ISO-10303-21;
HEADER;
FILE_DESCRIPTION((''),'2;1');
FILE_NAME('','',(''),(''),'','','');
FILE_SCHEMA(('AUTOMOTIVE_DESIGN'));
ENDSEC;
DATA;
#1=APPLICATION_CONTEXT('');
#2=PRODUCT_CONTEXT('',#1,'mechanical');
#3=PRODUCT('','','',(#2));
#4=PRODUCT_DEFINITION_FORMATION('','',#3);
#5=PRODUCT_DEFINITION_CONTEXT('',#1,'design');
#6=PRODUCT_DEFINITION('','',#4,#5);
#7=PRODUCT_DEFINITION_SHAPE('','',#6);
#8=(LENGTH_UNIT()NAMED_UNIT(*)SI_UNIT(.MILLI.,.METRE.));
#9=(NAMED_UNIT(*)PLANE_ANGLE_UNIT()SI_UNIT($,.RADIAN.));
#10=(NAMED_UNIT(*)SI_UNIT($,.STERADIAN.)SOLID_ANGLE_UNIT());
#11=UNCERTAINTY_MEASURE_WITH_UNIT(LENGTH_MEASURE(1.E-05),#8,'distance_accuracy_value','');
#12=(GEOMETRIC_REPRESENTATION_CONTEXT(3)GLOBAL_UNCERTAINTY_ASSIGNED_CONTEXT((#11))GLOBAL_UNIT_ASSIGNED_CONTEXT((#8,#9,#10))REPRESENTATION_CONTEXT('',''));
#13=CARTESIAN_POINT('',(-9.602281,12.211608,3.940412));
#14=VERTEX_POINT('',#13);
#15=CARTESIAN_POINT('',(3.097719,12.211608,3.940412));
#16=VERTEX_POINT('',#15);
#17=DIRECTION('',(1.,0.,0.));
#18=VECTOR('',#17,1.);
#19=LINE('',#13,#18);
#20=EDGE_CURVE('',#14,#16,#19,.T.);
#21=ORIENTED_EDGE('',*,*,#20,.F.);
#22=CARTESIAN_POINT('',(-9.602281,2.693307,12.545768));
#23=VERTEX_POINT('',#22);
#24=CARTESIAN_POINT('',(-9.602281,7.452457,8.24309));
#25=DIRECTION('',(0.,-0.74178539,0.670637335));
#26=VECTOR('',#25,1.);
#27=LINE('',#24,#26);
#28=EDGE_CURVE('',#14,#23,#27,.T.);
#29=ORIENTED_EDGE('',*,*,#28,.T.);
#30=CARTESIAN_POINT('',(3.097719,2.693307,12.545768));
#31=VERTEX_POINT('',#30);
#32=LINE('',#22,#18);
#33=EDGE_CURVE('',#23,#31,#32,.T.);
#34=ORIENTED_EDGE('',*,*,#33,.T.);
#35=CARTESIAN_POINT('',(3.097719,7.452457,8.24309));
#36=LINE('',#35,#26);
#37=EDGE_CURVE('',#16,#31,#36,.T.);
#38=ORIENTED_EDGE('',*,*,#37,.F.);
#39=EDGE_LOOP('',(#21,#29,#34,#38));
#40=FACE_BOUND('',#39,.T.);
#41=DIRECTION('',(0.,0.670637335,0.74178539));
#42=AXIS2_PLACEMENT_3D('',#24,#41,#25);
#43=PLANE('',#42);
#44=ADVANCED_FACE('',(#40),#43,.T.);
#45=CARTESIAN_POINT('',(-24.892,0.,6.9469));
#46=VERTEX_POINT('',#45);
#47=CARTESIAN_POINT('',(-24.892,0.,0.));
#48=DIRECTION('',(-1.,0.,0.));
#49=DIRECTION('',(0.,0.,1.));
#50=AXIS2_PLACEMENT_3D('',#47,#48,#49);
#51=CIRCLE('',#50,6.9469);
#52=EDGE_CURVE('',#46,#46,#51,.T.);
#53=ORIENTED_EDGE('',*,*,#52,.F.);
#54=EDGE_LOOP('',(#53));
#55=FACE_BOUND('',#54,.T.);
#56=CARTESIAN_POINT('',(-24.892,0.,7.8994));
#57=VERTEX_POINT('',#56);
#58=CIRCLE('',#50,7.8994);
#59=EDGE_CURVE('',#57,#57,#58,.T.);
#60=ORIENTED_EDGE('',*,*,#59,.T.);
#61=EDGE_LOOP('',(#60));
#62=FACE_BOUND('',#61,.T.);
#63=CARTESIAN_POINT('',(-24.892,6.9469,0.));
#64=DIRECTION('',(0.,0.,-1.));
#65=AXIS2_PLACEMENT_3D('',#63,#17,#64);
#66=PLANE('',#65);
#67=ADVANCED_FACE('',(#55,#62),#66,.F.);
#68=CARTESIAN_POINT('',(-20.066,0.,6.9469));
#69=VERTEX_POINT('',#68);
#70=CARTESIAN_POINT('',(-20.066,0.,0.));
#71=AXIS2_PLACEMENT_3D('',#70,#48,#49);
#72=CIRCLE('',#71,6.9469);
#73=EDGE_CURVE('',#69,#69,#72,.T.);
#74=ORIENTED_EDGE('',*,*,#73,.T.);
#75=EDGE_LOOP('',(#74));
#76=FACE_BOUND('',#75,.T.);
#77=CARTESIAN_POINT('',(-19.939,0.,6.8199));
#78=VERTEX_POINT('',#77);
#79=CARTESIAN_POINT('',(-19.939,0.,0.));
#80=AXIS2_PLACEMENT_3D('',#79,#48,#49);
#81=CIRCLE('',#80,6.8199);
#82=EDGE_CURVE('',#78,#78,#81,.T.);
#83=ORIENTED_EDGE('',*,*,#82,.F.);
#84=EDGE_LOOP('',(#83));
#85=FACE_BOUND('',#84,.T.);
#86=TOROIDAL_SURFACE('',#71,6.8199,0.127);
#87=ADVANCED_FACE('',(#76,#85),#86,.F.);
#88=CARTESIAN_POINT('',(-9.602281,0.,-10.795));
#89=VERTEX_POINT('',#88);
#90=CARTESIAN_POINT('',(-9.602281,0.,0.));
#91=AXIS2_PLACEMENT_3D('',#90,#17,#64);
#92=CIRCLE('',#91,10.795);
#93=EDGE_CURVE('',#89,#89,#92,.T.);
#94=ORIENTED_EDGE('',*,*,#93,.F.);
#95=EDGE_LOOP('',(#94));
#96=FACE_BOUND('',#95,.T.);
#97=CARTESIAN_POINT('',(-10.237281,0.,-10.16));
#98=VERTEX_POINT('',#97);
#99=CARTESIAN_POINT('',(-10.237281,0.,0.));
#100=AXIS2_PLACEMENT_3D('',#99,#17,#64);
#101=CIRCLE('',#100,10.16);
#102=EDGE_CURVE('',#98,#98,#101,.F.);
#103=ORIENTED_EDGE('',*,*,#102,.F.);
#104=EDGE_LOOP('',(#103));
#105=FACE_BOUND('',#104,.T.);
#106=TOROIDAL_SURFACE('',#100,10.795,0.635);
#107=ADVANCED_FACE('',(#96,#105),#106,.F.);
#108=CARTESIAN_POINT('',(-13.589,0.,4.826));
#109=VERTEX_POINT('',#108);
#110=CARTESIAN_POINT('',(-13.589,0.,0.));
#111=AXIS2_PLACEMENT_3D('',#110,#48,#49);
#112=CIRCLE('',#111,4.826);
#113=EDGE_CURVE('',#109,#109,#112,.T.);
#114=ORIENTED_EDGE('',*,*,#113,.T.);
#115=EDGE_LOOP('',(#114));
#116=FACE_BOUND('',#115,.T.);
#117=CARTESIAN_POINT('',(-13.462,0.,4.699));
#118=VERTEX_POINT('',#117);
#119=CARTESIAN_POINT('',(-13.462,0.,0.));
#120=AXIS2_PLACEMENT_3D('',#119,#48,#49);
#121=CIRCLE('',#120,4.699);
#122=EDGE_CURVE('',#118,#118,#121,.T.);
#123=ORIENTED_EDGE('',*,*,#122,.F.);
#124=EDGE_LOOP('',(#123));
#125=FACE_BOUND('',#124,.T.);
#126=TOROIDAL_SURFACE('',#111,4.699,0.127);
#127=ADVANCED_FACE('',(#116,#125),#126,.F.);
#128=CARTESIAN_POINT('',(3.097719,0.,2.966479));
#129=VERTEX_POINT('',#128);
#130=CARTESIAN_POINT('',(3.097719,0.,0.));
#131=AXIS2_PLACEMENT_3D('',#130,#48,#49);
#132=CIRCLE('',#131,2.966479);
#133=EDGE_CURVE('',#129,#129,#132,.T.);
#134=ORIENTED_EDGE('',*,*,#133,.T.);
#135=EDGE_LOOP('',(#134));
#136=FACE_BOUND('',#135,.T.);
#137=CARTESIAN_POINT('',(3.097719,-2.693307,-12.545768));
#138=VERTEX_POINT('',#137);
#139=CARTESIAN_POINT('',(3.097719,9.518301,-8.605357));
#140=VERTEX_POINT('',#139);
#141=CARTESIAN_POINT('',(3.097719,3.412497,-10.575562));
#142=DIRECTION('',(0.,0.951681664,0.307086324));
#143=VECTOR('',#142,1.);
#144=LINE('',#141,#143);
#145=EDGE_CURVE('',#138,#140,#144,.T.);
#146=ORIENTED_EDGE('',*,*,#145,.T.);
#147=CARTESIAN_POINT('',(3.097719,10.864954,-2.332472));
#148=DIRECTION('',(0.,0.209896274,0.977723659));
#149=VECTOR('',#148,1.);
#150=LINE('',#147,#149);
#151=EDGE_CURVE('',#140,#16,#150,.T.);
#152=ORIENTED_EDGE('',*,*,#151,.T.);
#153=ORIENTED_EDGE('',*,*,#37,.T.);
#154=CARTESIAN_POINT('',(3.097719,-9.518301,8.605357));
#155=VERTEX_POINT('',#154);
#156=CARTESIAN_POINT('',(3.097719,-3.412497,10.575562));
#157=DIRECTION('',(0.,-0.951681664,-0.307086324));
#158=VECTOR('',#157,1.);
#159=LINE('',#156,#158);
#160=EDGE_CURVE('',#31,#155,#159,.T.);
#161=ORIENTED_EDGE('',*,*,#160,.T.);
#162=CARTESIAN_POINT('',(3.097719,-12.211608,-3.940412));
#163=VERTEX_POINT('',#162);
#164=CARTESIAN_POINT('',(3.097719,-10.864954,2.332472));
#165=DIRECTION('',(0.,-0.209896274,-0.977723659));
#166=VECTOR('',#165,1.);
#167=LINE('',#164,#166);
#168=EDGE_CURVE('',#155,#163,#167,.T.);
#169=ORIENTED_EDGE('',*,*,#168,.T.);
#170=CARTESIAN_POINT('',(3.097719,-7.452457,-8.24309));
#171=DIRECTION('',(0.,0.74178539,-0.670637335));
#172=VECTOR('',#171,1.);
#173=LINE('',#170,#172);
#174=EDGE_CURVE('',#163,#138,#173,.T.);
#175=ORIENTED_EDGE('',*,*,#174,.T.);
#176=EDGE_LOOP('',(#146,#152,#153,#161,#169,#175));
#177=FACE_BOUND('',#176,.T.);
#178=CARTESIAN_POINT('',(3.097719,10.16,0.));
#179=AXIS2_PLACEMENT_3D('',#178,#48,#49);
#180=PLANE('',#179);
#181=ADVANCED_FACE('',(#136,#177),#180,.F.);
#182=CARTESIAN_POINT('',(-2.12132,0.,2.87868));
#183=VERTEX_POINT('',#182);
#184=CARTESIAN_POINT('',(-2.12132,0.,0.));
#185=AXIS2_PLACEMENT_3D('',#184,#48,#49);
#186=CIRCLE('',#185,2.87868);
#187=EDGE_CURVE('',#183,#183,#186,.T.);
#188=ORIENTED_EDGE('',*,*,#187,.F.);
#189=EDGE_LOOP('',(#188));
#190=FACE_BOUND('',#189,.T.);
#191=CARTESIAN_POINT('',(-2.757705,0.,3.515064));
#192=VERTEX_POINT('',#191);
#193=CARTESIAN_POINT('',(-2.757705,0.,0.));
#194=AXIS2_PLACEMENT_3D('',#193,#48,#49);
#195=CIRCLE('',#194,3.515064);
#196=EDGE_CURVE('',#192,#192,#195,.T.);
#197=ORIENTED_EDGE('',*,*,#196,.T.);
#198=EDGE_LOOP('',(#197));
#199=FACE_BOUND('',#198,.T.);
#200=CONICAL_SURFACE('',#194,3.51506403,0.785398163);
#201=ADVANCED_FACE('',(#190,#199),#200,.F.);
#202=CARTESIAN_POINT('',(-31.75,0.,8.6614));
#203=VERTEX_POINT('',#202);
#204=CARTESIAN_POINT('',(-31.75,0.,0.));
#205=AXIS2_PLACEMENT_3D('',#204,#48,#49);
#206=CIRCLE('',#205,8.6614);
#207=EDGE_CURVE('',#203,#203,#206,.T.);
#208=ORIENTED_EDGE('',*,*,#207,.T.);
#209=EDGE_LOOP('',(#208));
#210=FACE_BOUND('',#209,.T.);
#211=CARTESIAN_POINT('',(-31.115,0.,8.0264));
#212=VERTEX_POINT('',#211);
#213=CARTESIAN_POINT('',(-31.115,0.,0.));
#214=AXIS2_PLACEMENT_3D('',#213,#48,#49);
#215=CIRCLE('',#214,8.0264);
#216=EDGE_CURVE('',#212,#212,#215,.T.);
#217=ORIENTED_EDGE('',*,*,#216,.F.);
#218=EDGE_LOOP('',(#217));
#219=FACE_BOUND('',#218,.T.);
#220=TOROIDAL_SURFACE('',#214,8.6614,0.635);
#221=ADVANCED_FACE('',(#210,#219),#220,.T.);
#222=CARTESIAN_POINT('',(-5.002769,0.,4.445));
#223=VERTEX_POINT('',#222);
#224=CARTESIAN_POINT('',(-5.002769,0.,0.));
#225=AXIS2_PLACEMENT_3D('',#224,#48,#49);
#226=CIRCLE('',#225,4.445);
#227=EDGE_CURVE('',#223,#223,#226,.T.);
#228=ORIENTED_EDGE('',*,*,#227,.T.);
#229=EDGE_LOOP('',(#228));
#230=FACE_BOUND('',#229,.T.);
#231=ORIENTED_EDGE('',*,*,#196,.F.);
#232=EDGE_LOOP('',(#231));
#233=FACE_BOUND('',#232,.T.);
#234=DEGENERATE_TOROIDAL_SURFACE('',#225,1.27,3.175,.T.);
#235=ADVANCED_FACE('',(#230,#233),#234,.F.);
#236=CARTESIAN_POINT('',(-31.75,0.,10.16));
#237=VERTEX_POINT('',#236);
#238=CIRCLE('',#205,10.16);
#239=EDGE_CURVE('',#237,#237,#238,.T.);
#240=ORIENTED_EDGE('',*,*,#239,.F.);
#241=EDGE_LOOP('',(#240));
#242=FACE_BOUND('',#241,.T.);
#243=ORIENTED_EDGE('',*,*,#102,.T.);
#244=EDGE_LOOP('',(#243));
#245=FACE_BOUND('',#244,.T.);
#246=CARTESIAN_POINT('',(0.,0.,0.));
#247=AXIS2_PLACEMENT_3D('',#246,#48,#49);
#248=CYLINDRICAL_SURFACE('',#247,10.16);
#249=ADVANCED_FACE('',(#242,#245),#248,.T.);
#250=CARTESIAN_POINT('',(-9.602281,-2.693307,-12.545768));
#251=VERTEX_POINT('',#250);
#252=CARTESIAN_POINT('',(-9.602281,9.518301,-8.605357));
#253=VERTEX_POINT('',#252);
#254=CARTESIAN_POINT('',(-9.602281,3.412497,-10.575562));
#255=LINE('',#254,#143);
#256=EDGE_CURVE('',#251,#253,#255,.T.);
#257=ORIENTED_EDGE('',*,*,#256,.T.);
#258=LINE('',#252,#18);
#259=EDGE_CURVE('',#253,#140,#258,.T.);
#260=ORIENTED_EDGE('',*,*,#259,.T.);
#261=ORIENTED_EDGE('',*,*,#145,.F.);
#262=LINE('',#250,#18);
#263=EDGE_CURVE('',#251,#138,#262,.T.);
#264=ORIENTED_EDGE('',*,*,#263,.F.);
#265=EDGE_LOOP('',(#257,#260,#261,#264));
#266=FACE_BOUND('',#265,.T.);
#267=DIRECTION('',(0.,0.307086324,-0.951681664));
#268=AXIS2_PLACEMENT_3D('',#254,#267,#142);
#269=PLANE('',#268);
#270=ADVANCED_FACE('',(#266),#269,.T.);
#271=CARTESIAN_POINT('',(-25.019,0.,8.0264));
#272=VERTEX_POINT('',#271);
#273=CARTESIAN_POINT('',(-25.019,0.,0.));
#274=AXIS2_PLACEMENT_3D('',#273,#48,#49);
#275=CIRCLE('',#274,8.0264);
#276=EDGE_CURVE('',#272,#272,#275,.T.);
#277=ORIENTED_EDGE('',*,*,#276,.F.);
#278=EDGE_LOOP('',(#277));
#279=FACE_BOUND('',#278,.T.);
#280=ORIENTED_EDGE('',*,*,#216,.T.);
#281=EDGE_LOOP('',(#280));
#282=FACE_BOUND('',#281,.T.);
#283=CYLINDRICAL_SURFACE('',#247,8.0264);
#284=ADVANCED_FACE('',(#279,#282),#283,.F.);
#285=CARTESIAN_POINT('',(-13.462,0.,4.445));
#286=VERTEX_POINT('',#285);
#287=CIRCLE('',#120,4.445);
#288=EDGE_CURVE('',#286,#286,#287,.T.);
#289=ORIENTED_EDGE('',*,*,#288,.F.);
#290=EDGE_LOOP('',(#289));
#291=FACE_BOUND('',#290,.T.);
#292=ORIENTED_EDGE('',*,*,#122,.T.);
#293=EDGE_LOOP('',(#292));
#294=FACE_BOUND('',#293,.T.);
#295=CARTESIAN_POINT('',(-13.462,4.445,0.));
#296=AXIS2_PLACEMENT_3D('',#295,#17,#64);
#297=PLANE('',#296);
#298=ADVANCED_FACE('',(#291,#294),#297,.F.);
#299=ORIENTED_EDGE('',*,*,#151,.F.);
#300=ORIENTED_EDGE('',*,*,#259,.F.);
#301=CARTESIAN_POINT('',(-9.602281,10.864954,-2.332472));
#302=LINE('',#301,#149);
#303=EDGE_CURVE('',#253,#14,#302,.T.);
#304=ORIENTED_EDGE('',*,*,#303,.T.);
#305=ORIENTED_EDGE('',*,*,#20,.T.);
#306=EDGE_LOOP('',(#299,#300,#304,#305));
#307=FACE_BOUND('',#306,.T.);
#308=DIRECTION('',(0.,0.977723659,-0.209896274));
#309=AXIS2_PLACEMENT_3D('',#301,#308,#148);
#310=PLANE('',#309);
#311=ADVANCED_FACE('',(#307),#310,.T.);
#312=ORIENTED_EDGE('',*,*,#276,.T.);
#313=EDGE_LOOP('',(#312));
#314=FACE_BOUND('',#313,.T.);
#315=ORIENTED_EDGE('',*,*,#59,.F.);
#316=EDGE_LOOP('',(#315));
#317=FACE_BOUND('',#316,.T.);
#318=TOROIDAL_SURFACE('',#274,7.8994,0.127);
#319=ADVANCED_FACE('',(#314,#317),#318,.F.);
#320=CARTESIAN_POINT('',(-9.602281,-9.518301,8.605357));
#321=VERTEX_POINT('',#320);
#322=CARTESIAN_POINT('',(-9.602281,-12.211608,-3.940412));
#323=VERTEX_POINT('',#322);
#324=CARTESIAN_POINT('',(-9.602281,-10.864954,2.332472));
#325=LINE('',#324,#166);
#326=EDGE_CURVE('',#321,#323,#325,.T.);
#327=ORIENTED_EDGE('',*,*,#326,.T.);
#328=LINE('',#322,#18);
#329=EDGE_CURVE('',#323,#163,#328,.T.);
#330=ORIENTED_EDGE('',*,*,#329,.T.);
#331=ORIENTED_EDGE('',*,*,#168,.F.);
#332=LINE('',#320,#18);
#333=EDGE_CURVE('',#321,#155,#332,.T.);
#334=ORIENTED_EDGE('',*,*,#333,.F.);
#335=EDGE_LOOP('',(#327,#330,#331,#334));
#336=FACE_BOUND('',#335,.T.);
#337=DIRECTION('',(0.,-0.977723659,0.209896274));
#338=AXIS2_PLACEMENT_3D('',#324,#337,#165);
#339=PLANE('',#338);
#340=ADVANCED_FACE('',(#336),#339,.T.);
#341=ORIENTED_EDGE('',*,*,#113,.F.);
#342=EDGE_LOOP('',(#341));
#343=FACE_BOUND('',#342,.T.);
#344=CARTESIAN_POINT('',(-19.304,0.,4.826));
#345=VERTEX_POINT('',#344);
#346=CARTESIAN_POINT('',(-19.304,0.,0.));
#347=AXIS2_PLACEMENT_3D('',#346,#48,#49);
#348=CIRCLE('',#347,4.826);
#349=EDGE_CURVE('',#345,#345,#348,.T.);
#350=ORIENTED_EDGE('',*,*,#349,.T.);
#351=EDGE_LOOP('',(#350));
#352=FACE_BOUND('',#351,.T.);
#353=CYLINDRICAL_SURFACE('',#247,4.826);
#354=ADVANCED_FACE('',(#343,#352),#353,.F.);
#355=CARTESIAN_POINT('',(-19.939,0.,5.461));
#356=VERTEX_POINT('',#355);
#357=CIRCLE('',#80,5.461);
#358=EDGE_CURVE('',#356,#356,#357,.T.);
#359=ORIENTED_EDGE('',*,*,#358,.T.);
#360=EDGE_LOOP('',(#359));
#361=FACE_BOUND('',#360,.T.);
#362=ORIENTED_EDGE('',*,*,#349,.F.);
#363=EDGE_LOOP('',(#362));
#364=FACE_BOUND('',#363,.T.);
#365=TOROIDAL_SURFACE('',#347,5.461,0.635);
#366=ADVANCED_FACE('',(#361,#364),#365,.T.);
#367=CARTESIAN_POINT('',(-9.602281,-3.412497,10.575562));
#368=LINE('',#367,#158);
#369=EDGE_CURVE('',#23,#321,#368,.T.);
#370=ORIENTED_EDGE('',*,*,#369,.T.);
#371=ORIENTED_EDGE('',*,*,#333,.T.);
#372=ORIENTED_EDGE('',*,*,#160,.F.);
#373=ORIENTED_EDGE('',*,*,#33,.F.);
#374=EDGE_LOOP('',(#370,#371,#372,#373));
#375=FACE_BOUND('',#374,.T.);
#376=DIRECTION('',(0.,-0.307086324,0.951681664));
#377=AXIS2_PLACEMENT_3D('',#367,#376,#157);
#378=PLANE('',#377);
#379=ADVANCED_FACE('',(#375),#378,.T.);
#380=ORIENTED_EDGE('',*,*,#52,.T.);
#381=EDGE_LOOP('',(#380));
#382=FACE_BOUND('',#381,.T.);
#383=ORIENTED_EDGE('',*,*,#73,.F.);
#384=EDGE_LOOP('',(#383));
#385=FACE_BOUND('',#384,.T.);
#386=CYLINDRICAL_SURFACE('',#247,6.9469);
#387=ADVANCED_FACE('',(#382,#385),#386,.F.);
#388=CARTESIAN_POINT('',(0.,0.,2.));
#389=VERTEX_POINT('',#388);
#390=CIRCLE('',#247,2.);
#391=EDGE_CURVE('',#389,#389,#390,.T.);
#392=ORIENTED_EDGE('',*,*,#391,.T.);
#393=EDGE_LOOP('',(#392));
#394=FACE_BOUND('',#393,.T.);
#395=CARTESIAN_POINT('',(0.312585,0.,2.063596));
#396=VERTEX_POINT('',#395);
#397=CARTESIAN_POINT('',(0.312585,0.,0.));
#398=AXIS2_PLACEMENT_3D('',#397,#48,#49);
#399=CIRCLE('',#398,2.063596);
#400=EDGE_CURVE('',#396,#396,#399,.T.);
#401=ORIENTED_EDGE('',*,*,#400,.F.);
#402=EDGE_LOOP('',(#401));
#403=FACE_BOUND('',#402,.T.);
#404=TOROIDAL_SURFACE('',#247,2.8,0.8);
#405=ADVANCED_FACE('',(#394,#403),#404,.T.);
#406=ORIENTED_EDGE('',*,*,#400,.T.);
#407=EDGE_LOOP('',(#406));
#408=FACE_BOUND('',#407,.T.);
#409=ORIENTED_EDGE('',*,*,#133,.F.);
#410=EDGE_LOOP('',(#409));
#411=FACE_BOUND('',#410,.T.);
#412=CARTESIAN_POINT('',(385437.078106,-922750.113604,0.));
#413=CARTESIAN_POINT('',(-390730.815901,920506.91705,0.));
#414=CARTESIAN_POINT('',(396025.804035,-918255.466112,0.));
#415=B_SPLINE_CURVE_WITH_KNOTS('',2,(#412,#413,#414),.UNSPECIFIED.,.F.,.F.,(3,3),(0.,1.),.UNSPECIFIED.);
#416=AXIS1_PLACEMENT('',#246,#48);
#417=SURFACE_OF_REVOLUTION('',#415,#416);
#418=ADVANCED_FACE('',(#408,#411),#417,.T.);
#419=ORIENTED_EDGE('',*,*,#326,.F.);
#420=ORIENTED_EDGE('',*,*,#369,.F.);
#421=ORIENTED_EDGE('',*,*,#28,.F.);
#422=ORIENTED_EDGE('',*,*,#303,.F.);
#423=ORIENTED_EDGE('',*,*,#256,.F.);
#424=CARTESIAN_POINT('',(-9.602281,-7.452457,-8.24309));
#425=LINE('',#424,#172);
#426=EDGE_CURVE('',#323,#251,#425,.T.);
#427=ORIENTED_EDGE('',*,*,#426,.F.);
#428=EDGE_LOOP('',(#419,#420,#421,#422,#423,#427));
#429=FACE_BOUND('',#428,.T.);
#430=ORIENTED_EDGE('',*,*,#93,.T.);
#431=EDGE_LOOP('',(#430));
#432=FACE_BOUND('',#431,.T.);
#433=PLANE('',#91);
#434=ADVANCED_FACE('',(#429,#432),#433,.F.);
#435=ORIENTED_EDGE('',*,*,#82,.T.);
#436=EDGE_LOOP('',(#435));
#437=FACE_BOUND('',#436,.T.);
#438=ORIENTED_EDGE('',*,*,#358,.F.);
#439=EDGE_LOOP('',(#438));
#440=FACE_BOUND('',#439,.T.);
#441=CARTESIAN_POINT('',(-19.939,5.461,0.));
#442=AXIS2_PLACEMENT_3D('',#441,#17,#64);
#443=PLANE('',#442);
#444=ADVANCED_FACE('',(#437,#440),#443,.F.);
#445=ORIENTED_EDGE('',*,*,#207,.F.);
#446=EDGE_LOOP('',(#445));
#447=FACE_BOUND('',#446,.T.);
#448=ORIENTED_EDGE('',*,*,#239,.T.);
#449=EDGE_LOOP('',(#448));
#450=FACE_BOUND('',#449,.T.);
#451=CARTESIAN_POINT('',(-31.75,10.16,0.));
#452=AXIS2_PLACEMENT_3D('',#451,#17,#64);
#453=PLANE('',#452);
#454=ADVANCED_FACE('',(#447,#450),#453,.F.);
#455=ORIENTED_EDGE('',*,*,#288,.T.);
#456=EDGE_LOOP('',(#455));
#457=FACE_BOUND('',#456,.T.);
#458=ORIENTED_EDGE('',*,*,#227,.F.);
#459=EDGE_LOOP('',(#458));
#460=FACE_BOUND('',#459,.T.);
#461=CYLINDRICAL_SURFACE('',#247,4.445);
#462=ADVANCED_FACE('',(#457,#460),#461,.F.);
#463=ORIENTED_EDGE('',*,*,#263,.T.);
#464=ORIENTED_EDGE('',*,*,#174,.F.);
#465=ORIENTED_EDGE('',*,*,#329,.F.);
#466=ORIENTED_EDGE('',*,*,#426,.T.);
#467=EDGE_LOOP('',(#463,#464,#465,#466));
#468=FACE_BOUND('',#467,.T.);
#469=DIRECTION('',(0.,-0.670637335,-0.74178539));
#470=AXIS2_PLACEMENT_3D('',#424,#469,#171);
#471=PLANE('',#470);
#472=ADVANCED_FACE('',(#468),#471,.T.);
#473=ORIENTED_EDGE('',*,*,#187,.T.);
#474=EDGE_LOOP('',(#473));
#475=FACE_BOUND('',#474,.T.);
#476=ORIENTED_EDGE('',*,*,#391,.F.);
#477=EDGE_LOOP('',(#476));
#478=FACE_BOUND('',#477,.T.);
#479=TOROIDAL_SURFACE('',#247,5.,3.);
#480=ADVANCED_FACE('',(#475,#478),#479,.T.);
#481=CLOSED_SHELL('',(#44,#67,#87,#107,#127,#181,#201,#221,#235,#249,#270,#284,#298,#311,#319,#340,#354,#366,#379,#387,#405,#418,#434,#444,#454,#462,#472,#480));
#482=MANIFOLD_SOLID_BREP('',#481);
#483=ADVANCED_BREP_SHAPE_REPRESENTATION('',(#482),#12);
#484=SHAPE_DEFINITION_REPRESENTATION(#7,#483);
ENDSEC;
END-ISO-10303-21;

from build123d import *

# Parameters (mm, degrees)
SKETCH4_R           = 10.16
BOSS_EXTRUDE1_DEPTH = 12.7
FILLET1_R           = 0.635


with BuildPart() as part:
    # Sketch1 → Revolve1 (revolve)
    with BuildSketch(Plane.XY, mode=Mode.PRIVATE) as revolve1_sk:
        with BuildLine():
            Line((-2.121320344, 2.878679656), (-2.757704717, 3.51506403))
            ThreePointArc((-2.757704717, 3.51506403), (-3.78774885, 4.203317516), (-5.002768748, 4.445))
            Line((-5.002768748, 4.445), (-13.462, 4.445))
            Line((-13.462, 4.445), (-13.462, 4.699))
            ThreePointArc((-13.462, 4.699), (-13.499197439, 4.788802561), (-13.589, 4.826))
            Line((-13.589, 4.826), (-19.304, 4.826))
            ThreePointArc((-19.304, 4.826), (-19.753012806, 5.011987194), (-19.939, 5.461))
            Line((-19.939, 5.461), (-19.939, 6.8199))
            ThreePointArc((-19.939, 6.8199), (-19.976197439, 6.909702561), (-20.066, 6.9469))
            Line((-20.066, 6.9469), (-24.892, 6.9469))
            Line((-24.892, 6.9469), (-24.892, 7.8994))
            ThreePointArc((-24.892, 7.8994), (-24.929197439, 7.989202561), (-25.019, 8.0264))
            Line((-25.019, 8.0264), (-31.115, 8.0264))
            ThreePointArc((-31.115, 8.0264), (-31.564012806, 8.212387194), (-31.75, 8.6614))
            Line((-31.75, 8.6614), (-31.75, 10.16))
            Line((-31.75, 10.16), (-9.602281293, 10.16))
            Line((-9.602281293, 10.16), (3.097718707, 10.16))
            Line((3.097718707, 10.16), (3.097718707, 2.966479395))
            add(Edge.make_bspline(
                [(3.097718707, 2.966479395), (1.65491745, 2.633382479), (0.312584903, 2.063596117)],
                knots=[0, 0, 0, 1, 1, 1], degree=2))
            ThreePointArc((0.312584903, 2.063596117), (0.159494348, 2.016060236), (0, 2))
            ThreePointArc((0, 2), (-1.148050297, 2.228361402), (-2.121320344, 2.878679656))
        make_face()
    revolve(revolve1_sk.sketch.rotate(Axis((0, 0, 0), (1, 0, 0)), 90), axis=Axis((0, 0, 0), (1, 0, 0)))

    # Sketch4 → Boss-Extrude1 (add)
    with BuildSketch(Plane(origin=(3.097718707, 0, 0), x_dir=(0, 0, -1), z_dir=(1, 0, 0))):
        Polygon((3.940411868, -12.211607701), (12.545768424, -2.693307071), (8.605356556, 9.51830063), (-3.940411868, 12.211607701), (-12.545768424, 2.693307071), (-8.605356556, -9.51830063), align=None)
        with Locations(Location((0, 0, 0), (0, 0, 180))):
            Circle(SKETCH4_R, mode=Mode.SUBTRACT)
    extrude(amount=-BOSS_EXTRUDE1_DEPTH)

    # Fillet1
    fillet1_edges = [part.edges().sort_by_distance(p)[0] for p in [
        (-9.602281293, 0, -10.16),
    ]]
    fillet(fillet1_edges, radius=FILLET1_R)


solid = part.part
